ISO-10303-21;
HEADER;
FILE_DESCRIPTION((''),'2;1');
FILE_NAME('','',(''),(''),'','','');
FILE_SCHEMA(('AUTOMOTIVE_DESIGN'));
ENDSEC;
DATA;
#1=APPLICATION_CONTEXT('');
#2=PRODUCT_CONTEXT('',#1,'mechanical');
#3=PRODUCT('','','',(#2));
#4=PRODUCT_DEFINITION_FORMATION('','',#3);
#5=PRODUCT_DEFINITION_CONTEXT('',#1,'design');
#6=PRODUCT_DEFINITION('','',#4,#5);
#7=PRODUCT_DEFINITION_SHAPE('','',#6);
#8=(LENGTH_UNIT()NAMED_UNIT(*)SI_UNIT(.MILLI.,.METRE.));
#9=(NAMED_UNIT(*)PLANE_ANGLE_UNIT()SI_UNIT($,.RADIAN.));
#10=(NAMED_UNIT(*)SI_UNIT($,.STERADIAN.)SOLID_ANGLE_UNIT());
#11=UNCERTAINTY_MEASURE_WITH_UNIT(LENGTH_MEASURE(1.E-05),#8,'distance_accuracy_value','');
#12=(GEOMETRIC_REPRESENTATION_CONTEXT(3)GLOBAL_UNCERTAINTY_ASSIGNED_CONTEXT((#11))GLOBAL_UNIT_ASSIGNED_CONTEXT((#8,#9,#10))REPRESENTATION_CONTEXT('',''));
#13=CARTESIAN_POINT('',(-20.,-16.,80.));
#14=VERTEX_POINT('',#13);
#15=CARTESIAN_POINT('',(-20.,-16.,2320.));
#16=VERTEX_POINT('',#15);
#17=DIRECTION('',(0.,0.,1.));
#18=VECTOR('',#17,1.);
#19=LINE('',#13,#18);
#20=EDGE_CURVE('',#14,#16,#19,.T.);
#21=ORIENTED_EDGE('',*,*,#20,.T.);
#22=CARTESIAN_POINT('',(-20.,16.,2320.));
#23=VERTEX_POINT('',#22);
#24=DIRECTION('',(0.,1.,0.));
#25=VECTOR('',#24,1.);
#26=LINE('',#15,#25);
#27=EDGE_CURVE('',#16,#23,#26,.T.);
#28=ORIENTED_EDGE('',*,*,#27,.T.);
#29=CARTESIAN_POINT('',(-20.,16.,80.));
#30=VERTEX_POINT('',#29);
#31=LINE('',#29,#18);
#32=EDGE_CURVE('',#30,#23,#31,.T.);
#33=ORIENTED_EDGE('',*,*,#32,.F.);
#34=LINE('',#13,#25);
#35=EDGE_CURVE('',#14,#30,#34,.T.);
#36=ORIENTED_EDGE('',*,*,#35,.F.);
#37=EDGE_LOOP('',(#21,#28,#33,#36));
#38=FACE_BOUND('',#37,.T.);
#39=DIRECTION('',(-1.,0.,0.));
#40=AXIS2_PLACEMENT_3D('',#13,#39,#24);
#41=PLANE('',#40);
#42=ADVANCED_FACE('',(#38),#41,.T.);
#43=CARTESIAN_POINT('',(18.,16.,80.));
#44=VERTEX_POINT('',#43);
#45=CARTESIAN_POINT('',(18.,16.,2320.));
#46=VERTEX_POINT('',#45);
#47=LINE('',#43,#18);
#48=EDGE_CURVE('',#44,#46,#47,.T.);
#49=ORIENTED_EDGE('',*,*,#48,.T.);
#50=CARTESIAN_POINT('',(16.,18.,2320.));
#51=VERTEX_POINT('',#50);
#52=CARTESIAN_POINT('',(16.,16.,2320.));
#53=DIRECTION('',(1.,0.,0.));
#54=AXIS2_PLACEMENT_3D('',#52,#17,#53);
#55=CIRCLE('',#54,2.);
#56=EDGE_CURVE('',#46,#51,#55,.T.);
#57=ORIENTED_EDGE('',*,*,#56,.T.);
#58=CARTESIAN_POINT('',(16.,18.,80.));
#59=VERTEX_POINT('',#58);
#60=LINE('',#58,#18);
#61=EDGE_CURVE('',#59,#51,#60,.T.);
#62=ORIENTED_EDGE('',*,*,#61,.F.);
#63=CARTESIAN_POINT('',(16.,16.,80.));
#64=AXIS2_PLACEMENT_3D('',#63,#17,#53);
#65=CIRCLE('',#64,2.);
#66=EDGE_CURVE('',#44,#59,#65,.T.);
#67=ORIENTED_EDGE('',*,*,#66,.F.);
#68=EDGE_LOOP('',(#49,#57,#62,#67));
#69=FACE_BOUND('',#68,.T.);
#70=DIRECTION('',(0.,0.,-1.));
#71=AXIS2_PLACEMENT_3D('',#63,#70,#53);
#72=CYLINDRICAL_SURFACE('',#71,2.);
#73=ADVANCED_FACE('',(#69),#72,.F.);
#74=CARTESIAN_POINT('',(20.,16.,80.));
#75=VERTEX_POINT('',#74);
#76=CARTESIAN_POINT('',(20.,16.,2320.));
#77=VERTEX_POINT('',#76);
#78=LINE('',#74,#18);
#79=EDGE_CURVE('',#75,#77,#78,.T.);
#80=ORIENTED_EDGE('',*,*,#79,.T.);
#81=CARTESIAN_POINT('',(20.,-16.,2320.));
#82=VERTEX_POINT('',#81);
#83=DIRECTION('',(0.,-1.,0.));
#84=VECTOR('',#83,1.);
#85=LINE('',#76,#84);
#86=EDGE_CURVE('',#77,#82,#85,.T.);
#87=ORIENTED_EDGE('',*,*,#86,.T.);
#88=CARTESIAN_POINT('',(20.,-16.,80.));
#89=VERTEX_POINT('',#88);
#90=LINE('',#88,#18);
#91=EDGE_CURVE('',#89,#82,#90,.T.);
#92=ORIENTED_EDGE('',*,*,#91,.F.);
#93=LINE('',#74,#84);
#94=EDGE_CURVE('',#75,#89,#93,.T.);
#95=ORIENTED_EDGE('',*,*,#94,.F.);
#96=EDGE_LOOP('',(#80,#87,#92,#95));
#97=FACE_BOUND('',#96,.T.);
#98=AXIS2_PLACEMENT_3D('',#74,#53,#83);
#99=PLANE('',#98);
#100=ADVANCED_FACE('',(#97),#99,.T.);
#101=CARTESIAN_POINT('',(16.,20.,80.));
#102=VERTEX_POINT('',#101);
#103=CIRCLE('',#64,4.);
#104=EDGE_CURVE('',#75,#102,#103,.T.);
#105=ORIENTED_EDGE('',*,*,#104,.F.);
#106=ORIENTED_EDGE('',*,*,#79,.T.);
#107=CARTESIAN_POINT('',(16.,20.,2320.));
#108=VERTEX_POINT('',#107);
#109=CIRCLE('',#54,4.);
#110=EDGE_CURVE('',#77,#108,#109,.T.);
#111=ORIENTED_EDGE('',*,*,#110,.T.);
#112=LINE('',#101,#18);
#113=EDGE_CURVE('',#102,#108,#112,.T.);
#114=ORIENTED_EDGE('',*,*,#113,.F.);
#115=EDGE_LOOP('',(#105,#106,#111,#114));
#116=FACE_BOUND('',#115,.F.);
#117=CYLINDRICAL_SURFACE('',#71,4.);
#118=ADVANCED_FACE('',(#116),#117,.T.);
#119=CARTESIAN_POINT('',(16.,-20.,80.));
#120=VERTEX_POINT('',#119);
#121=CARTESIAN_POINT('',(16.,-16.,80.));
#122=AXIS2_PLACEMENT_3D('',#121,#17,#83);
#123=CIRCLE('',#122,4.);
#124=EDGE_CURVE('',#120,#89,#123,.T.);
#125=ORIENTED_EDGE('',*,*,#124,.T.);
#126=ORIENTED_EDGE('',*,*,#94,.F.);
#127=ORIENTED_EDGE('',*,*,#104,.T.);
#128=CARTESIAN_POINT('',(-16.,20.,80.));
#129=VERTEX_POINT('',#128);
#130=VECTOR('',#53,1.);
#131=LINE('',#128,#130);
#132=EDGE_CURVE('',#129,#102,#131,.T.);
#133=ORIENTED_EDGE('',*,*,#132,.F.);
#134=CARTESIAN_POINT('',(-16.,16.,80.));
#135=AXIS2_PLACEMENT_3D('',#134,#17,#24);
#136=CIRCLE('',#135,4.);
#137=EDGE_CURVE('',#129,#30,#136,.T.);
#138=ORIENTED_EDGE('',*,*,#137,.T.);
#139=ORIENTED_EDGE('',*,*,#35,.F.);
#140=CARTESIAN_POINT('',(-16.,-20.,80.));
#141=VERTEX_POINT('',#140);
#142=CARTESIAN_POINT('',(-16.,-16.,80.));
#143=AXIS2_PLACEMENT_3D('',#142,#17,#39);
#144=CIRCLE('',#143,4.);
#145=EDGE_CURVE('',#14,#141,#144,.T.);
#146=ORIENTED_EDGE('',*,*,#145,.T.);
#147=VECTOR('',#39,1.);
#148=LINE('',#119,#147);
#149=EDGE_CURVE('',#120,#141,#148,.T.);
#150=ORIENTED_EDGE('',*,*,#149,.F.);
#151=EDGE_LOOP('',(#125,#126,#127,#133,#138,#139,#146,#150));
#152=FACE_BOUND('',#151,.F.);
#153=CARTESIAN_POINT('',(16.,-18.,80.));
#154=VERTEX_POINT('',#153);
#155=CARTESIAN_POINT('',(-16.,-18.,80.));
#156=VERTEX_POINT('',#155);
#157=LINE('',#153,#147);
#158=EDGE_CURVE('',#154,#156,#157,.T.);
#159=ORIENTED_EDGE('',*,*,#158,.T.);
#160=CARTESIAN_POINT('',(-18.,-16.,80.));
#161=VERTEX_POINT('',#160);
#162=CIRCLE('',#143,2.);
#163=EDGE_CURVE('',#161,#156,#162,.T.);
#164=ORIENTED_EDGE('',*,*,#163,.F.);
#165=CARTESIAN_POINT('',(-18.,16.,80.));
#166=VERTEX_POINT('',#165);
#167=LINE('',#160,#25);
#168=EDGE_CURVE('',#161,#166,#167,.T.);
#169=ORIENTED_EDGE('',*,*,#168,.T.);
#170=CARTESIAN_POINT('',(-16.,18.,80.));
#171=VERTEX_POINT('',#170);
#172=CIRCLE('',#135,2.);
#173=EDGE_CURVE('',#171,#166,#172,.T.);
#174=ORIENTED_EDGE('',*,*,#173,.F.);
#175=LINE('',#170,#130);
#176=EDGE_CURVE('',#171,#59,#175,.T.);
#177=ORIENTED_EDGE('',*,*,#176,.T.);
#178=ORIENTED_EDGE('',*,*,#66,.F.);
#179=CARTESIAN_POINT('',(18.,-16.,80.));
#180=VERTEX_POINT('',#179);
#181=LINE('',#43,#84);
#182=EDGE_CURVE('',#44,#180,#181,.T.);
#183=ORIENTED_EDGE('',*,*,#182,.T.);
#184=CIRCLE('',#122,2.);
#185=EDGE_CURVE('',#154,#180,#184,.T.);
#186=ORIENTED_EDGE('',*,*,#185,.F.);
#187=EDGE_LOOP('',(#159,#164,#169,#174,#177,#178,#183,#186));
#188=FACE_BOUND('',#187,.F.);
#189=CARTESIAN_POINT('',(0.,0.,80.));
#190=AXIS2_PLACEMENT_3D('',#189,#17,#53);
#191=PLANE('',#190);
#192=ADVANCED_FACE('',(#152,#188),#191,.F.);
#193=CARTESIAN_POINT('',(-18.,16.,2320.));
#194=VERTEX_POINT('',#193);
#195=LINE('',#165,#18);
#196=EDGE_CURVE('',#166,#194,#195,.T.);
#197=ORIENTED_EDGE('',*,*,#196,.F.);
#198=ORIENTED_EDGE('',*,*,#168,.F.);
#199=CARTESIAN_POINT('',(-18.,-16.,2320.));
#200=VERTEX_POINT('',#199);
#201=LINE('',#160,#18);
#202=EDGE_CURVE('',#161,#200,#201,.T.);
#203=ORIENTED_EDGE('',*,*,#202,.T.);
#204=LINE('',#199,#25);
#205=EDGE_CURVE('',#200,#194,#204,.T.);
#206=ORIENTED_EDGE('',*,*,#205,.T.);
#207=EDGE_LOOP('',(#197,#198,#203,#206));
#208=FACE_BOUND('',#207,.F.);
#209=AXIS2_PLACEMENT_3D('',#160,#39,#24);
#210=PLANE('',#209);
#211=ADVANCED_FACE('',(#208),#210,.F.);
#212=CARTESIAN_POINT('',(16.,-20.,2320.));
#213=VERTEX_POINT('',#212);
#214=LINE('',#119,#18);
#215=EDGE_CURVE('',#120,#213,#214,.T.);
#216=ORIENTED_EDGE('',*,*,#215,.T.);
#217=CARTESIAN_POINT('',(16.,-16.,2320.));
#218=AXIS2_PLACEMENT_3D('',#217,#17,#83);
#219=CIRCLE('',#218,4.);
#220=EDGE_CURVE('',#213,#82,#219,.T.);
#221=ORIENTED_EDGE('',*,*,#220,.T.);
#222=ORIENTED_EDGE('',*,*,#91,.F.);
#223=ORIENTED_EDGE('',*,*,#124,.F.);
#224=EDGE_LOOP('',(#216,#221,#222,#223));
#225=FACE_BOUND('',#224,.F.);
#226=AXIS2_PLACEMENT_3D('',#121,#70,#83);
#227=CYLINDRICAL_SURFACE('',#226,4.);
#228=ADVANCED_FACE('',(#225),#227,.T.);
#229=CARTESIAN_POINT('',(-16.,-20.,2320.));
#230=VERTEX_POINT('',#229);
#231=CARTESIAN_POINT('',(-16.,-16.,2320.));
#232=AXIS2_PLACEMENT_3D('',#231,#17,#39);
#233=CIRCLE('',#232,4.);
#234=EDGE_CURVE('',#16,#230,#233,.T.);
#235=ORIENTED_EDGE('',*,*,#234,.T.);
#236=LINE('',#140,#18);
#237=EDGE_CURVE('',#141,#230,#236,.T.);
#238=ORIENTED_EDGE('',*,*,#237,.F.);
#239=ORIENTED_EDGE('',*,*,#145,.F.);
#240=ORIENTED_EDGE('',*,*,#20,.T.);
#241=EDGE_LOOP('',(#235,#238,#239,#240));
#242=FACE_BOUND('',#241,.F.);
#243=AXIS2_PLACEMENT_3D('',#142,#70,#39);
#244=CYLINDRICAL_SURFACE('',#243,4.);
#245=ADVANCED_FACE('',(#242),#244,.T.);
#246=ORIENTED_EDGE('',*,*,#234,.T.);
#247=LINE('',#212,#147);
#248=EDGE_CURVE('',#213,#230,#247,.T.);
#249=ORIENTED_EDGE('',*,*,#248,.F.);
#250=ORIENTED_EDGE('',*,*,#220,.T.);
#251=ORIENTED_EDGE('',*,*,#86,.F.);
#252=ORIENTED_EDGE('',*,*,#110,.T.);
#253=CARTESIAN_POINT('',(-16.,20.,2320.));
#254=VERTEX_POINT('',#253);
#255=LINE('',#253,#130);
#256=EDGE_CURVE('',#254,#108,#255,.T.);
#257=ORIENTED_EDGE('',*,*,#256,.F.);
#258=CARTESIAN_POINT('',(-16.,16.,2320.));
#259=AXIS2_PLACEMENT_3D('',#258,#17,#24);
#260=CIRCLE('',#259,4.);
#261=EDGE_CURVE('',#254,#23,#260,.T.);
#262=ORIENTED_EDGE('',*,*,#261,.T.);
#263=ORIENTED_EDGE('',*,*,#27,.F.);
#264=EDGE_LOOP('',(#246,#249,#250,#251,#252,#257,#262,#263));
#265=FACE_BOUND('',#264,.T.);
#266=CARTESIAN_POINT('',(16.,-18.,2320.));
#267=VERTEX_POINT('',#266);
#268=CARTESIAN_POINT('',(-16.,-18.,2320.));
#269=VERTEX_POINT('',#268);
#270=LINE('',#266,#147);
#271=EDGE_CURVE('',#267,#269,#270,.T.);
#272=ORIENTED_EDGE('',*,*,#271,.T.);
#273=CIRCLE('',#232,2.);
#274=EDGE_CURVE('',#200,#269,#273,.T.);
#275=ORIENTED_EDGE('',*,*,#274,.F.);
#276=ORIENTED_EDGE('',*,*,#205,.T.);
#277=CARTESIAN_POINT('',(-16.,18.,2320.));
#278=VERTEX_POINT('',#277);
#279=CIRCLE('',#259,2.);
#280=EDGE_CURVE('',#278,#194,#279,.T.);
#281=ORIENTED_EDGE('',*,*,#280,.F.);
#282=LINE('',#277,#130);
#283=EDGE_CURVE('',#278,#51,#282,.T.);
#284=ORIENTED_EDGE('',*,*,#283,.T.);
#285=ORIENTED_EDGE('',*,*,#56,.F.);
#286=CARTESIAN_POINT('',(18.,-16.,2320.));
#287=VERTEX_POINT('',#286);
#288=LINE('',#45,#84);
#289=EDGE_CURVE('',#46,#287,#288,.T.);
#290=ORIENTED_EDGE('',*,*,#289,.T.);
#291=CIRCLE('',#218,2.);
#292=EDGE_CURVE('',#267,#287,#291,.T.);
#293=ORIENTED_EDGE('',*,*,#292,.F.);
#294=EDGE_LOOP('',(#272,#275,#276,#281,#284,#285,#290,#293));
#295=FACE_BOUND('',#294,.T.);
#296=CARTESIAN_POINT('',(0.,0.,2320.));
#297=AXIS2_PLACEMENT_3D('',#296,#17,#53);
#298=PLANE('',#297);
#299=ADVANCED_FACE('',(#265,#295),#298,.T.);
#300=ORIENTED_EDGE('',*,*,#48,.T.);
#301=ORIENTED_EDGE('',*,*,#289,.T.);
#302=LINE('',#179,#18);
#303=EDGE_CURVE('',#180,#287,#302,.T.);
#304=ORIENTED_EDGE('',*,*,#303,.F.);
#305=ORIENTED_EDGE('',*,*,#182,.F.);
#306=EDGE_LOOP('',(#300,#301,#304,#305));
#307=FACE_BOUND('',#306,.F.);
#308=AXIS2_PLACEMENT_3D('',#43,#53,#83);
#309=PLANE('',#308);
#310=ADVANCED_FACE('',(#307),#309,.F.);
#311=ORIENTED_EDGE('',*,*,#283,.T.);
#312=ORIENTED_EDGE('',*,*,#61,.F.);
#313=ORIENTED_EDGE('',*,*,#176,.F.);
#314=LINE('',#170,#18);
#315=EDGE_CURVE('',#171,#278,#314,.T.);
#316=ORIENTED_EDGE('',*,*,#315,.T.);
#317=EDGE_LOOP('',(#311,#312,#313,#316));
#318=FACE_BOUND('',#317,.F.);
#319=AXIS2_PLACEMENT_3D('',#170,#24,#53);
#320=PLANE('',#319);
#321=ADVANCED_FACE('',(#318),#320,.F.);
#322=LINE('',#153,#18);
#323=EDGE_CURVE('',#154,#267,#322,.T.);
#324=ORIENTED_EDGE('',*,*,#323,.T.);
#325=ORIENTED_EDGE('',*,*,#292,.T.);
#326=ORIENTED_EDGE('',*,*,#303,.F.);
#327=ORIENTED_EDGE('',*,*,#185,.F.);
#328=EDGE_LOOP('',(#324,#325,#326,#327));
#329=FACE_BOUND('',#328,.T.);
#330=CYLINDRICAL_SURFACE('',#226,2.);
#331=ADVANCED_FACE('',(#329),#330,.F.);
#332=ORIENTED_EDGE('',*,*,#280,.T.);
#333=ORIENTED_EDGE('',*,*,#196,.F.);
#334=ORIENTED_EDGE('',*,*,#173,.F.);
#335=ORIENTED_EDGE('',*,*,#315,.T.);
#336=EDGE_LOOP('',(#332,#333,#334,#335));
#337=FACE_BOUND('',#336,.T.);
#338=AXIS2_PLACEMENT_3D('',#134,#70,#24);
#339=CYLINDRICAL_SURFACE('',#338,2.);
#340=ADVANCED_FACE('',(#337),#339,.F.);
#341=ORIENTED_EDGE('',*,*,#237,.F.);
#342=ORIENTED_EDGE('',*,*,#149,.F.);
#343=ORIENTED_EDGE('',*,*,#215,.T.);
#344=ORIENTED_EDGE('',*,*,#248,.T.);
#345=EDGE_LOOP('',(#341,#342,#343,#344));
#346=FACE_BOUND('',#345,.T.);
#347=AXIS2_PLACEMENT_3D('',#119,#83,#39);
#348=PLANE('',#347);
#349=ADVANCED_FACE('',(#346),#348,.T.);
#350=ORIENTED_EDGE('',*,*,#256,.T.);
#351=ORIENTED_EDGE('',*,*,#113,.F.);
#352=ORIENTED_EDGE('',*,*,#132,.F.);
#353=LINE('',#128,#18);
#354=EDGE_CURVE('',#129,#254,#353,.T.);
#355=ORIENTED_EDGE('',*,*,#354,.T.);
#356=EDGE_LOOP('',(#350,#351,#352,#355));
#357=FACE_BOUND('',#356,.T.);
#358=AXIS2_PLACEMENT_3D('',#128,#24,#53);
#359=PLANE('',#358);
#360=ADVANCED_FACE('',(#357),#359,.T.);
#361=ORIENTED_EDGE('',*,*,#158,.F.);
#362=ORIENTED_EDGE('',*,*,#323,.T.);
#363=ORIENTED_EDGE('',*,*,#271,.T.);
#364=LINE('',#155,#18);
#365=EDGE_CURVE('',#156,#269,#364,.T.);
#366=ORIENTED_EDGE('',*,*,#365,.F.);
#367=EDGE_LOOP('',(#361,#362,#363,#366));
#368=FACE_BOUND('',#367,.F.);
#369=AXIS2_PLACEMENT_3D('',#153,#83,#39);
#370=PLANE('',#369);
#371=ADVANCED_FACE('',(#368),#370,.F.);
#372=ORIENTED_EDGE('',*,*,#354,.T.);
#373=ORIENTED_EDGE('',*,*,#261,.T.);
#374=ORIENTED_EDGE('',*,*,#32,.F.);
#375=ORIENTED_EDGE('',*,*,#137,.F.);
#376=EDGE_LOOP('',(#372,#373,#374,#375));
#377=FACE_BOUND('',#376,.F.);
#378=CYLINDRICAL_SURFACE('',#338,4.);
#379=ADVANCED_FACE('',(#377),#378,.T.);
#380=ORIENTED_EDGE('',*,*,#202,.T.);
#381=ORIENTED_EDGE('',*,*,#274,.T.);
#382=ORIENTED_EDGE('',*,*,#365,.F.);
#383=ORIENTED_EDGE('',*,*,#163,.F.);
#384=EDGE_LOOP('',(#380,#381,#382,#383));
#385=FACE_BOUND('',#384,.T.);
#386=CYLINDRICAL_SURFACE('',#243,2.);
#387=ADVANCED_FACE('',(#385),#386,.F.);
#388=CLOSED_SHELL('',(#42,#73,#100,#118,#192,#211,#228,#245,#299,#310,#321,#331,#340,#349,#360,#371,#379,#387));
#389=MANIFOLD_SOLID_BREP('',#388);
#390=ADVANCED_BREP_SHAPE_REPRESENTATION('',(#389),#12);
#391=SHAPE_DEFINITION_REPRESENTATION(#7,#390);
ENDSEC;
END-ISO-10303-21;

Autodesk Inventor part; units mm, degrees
ref_plane "YZ Plane" through (0, 0, 0) normal (1, 0, 0) x (0, 1, 0)
ref_plane "Start Plane" through (0, 0, 80) normal (0, 0, 1) x (1, 0, 0)
ref_plane "End Plane" through (0, 0, 2320) normal (0, 0, 1) x (1, 0, 0)
sketch "Sketch" plane through (0, 0, 0) normal (0, 0, 1) x (1, 0, 0)
  line L0 (-20, -16) -> (-20, 16)
  line L1 (-16, 20) -> (16, 20)
  line L2 (20, 16) -> (20, -16)
  line L3 (16, -20) -> (-16, -20)
  arc A0 (-20, -16) -> (-16, -20) centre (-16, -16) ccw
  arc A1 (20, 16) -> (16, 20) centre (16, 16) ccw
  arc A2 (-16, 20) -> (-20, 16) centre (-16, 16) ccw
  arc A3 (16, -20) -> (20, -16) centre (16, -16) ccw
  arc A4 (-16, 18) -> (-18, 16) centre (-16, 16) ccw
  line L4 (-16, 18) -> (16, 18)
  arc A5 (18, 16) -> (16, 18) centre (16, 16) ccw
  line L5 (18, 16) -> (18, -16)
  arc A6 (16, -18) -> (18, -16) centre (16, -16) ccw
  line L6 (16, -18) -> (-16, -18)
  arc A7 (-18, -16) -> (-16, -18) centre (-16, -16) ccw
  line L7 (-18, -16) -> (-18, 16)
  line L8 (0, 29.1598) -> (0, -29.1598) construction
  line L9 (-29.1598, 0) -> (29.1598, 0) construction
  dimension "d7" = 4
  dimension "d9" = 40
  dimension "d11" = 40
  dimension "d12" = 2
  dimension "d15" = 20
  dimension "d16" = 20
extrude "Body" add sketch "Sketch" along normal up to surface (2240 mm away) from surface at 80
sketch "Sketch3" plane through (0, 0, 0) normal (0, 0, 1) x (1, 0, 0)
  line L0 (0, 0) -> (10, 0)
ref_plane "Work Plane3" through (0, 0, 0) normal (0, -1, 0) x (1, 0, 0)
sketch "Sketch4" plane through (0, 0, 0) normal (0, -1, 0) x (1, 0, 0)
  line L0 (-2, 80) -> (12, 80) projected
  line L1 (-2, 2320) -> (12, 2320) projected
  dimension "d18" = 2240
equation "\"d7\" = G_IR"
equation "\"d9\" = G_W"
equation "\"d11\" = G_H"
equation "\"d12\" = G_T"
equation "\"d15\" = 0.5 * d9"
equation "\"d16\" = 0.5 * d11"
equation "\"d3\" = G_L"
equation "\"G_W\" = 40"
equation "\"G_H\" = 40"
equation "\"G_T\" = 2"
equation "\"G_IR\" = 4"
equation "\"G_L\" = d18"
properties part number "ISO 4019 - 40x40x2 - 2240" material "Steel, Mild"
